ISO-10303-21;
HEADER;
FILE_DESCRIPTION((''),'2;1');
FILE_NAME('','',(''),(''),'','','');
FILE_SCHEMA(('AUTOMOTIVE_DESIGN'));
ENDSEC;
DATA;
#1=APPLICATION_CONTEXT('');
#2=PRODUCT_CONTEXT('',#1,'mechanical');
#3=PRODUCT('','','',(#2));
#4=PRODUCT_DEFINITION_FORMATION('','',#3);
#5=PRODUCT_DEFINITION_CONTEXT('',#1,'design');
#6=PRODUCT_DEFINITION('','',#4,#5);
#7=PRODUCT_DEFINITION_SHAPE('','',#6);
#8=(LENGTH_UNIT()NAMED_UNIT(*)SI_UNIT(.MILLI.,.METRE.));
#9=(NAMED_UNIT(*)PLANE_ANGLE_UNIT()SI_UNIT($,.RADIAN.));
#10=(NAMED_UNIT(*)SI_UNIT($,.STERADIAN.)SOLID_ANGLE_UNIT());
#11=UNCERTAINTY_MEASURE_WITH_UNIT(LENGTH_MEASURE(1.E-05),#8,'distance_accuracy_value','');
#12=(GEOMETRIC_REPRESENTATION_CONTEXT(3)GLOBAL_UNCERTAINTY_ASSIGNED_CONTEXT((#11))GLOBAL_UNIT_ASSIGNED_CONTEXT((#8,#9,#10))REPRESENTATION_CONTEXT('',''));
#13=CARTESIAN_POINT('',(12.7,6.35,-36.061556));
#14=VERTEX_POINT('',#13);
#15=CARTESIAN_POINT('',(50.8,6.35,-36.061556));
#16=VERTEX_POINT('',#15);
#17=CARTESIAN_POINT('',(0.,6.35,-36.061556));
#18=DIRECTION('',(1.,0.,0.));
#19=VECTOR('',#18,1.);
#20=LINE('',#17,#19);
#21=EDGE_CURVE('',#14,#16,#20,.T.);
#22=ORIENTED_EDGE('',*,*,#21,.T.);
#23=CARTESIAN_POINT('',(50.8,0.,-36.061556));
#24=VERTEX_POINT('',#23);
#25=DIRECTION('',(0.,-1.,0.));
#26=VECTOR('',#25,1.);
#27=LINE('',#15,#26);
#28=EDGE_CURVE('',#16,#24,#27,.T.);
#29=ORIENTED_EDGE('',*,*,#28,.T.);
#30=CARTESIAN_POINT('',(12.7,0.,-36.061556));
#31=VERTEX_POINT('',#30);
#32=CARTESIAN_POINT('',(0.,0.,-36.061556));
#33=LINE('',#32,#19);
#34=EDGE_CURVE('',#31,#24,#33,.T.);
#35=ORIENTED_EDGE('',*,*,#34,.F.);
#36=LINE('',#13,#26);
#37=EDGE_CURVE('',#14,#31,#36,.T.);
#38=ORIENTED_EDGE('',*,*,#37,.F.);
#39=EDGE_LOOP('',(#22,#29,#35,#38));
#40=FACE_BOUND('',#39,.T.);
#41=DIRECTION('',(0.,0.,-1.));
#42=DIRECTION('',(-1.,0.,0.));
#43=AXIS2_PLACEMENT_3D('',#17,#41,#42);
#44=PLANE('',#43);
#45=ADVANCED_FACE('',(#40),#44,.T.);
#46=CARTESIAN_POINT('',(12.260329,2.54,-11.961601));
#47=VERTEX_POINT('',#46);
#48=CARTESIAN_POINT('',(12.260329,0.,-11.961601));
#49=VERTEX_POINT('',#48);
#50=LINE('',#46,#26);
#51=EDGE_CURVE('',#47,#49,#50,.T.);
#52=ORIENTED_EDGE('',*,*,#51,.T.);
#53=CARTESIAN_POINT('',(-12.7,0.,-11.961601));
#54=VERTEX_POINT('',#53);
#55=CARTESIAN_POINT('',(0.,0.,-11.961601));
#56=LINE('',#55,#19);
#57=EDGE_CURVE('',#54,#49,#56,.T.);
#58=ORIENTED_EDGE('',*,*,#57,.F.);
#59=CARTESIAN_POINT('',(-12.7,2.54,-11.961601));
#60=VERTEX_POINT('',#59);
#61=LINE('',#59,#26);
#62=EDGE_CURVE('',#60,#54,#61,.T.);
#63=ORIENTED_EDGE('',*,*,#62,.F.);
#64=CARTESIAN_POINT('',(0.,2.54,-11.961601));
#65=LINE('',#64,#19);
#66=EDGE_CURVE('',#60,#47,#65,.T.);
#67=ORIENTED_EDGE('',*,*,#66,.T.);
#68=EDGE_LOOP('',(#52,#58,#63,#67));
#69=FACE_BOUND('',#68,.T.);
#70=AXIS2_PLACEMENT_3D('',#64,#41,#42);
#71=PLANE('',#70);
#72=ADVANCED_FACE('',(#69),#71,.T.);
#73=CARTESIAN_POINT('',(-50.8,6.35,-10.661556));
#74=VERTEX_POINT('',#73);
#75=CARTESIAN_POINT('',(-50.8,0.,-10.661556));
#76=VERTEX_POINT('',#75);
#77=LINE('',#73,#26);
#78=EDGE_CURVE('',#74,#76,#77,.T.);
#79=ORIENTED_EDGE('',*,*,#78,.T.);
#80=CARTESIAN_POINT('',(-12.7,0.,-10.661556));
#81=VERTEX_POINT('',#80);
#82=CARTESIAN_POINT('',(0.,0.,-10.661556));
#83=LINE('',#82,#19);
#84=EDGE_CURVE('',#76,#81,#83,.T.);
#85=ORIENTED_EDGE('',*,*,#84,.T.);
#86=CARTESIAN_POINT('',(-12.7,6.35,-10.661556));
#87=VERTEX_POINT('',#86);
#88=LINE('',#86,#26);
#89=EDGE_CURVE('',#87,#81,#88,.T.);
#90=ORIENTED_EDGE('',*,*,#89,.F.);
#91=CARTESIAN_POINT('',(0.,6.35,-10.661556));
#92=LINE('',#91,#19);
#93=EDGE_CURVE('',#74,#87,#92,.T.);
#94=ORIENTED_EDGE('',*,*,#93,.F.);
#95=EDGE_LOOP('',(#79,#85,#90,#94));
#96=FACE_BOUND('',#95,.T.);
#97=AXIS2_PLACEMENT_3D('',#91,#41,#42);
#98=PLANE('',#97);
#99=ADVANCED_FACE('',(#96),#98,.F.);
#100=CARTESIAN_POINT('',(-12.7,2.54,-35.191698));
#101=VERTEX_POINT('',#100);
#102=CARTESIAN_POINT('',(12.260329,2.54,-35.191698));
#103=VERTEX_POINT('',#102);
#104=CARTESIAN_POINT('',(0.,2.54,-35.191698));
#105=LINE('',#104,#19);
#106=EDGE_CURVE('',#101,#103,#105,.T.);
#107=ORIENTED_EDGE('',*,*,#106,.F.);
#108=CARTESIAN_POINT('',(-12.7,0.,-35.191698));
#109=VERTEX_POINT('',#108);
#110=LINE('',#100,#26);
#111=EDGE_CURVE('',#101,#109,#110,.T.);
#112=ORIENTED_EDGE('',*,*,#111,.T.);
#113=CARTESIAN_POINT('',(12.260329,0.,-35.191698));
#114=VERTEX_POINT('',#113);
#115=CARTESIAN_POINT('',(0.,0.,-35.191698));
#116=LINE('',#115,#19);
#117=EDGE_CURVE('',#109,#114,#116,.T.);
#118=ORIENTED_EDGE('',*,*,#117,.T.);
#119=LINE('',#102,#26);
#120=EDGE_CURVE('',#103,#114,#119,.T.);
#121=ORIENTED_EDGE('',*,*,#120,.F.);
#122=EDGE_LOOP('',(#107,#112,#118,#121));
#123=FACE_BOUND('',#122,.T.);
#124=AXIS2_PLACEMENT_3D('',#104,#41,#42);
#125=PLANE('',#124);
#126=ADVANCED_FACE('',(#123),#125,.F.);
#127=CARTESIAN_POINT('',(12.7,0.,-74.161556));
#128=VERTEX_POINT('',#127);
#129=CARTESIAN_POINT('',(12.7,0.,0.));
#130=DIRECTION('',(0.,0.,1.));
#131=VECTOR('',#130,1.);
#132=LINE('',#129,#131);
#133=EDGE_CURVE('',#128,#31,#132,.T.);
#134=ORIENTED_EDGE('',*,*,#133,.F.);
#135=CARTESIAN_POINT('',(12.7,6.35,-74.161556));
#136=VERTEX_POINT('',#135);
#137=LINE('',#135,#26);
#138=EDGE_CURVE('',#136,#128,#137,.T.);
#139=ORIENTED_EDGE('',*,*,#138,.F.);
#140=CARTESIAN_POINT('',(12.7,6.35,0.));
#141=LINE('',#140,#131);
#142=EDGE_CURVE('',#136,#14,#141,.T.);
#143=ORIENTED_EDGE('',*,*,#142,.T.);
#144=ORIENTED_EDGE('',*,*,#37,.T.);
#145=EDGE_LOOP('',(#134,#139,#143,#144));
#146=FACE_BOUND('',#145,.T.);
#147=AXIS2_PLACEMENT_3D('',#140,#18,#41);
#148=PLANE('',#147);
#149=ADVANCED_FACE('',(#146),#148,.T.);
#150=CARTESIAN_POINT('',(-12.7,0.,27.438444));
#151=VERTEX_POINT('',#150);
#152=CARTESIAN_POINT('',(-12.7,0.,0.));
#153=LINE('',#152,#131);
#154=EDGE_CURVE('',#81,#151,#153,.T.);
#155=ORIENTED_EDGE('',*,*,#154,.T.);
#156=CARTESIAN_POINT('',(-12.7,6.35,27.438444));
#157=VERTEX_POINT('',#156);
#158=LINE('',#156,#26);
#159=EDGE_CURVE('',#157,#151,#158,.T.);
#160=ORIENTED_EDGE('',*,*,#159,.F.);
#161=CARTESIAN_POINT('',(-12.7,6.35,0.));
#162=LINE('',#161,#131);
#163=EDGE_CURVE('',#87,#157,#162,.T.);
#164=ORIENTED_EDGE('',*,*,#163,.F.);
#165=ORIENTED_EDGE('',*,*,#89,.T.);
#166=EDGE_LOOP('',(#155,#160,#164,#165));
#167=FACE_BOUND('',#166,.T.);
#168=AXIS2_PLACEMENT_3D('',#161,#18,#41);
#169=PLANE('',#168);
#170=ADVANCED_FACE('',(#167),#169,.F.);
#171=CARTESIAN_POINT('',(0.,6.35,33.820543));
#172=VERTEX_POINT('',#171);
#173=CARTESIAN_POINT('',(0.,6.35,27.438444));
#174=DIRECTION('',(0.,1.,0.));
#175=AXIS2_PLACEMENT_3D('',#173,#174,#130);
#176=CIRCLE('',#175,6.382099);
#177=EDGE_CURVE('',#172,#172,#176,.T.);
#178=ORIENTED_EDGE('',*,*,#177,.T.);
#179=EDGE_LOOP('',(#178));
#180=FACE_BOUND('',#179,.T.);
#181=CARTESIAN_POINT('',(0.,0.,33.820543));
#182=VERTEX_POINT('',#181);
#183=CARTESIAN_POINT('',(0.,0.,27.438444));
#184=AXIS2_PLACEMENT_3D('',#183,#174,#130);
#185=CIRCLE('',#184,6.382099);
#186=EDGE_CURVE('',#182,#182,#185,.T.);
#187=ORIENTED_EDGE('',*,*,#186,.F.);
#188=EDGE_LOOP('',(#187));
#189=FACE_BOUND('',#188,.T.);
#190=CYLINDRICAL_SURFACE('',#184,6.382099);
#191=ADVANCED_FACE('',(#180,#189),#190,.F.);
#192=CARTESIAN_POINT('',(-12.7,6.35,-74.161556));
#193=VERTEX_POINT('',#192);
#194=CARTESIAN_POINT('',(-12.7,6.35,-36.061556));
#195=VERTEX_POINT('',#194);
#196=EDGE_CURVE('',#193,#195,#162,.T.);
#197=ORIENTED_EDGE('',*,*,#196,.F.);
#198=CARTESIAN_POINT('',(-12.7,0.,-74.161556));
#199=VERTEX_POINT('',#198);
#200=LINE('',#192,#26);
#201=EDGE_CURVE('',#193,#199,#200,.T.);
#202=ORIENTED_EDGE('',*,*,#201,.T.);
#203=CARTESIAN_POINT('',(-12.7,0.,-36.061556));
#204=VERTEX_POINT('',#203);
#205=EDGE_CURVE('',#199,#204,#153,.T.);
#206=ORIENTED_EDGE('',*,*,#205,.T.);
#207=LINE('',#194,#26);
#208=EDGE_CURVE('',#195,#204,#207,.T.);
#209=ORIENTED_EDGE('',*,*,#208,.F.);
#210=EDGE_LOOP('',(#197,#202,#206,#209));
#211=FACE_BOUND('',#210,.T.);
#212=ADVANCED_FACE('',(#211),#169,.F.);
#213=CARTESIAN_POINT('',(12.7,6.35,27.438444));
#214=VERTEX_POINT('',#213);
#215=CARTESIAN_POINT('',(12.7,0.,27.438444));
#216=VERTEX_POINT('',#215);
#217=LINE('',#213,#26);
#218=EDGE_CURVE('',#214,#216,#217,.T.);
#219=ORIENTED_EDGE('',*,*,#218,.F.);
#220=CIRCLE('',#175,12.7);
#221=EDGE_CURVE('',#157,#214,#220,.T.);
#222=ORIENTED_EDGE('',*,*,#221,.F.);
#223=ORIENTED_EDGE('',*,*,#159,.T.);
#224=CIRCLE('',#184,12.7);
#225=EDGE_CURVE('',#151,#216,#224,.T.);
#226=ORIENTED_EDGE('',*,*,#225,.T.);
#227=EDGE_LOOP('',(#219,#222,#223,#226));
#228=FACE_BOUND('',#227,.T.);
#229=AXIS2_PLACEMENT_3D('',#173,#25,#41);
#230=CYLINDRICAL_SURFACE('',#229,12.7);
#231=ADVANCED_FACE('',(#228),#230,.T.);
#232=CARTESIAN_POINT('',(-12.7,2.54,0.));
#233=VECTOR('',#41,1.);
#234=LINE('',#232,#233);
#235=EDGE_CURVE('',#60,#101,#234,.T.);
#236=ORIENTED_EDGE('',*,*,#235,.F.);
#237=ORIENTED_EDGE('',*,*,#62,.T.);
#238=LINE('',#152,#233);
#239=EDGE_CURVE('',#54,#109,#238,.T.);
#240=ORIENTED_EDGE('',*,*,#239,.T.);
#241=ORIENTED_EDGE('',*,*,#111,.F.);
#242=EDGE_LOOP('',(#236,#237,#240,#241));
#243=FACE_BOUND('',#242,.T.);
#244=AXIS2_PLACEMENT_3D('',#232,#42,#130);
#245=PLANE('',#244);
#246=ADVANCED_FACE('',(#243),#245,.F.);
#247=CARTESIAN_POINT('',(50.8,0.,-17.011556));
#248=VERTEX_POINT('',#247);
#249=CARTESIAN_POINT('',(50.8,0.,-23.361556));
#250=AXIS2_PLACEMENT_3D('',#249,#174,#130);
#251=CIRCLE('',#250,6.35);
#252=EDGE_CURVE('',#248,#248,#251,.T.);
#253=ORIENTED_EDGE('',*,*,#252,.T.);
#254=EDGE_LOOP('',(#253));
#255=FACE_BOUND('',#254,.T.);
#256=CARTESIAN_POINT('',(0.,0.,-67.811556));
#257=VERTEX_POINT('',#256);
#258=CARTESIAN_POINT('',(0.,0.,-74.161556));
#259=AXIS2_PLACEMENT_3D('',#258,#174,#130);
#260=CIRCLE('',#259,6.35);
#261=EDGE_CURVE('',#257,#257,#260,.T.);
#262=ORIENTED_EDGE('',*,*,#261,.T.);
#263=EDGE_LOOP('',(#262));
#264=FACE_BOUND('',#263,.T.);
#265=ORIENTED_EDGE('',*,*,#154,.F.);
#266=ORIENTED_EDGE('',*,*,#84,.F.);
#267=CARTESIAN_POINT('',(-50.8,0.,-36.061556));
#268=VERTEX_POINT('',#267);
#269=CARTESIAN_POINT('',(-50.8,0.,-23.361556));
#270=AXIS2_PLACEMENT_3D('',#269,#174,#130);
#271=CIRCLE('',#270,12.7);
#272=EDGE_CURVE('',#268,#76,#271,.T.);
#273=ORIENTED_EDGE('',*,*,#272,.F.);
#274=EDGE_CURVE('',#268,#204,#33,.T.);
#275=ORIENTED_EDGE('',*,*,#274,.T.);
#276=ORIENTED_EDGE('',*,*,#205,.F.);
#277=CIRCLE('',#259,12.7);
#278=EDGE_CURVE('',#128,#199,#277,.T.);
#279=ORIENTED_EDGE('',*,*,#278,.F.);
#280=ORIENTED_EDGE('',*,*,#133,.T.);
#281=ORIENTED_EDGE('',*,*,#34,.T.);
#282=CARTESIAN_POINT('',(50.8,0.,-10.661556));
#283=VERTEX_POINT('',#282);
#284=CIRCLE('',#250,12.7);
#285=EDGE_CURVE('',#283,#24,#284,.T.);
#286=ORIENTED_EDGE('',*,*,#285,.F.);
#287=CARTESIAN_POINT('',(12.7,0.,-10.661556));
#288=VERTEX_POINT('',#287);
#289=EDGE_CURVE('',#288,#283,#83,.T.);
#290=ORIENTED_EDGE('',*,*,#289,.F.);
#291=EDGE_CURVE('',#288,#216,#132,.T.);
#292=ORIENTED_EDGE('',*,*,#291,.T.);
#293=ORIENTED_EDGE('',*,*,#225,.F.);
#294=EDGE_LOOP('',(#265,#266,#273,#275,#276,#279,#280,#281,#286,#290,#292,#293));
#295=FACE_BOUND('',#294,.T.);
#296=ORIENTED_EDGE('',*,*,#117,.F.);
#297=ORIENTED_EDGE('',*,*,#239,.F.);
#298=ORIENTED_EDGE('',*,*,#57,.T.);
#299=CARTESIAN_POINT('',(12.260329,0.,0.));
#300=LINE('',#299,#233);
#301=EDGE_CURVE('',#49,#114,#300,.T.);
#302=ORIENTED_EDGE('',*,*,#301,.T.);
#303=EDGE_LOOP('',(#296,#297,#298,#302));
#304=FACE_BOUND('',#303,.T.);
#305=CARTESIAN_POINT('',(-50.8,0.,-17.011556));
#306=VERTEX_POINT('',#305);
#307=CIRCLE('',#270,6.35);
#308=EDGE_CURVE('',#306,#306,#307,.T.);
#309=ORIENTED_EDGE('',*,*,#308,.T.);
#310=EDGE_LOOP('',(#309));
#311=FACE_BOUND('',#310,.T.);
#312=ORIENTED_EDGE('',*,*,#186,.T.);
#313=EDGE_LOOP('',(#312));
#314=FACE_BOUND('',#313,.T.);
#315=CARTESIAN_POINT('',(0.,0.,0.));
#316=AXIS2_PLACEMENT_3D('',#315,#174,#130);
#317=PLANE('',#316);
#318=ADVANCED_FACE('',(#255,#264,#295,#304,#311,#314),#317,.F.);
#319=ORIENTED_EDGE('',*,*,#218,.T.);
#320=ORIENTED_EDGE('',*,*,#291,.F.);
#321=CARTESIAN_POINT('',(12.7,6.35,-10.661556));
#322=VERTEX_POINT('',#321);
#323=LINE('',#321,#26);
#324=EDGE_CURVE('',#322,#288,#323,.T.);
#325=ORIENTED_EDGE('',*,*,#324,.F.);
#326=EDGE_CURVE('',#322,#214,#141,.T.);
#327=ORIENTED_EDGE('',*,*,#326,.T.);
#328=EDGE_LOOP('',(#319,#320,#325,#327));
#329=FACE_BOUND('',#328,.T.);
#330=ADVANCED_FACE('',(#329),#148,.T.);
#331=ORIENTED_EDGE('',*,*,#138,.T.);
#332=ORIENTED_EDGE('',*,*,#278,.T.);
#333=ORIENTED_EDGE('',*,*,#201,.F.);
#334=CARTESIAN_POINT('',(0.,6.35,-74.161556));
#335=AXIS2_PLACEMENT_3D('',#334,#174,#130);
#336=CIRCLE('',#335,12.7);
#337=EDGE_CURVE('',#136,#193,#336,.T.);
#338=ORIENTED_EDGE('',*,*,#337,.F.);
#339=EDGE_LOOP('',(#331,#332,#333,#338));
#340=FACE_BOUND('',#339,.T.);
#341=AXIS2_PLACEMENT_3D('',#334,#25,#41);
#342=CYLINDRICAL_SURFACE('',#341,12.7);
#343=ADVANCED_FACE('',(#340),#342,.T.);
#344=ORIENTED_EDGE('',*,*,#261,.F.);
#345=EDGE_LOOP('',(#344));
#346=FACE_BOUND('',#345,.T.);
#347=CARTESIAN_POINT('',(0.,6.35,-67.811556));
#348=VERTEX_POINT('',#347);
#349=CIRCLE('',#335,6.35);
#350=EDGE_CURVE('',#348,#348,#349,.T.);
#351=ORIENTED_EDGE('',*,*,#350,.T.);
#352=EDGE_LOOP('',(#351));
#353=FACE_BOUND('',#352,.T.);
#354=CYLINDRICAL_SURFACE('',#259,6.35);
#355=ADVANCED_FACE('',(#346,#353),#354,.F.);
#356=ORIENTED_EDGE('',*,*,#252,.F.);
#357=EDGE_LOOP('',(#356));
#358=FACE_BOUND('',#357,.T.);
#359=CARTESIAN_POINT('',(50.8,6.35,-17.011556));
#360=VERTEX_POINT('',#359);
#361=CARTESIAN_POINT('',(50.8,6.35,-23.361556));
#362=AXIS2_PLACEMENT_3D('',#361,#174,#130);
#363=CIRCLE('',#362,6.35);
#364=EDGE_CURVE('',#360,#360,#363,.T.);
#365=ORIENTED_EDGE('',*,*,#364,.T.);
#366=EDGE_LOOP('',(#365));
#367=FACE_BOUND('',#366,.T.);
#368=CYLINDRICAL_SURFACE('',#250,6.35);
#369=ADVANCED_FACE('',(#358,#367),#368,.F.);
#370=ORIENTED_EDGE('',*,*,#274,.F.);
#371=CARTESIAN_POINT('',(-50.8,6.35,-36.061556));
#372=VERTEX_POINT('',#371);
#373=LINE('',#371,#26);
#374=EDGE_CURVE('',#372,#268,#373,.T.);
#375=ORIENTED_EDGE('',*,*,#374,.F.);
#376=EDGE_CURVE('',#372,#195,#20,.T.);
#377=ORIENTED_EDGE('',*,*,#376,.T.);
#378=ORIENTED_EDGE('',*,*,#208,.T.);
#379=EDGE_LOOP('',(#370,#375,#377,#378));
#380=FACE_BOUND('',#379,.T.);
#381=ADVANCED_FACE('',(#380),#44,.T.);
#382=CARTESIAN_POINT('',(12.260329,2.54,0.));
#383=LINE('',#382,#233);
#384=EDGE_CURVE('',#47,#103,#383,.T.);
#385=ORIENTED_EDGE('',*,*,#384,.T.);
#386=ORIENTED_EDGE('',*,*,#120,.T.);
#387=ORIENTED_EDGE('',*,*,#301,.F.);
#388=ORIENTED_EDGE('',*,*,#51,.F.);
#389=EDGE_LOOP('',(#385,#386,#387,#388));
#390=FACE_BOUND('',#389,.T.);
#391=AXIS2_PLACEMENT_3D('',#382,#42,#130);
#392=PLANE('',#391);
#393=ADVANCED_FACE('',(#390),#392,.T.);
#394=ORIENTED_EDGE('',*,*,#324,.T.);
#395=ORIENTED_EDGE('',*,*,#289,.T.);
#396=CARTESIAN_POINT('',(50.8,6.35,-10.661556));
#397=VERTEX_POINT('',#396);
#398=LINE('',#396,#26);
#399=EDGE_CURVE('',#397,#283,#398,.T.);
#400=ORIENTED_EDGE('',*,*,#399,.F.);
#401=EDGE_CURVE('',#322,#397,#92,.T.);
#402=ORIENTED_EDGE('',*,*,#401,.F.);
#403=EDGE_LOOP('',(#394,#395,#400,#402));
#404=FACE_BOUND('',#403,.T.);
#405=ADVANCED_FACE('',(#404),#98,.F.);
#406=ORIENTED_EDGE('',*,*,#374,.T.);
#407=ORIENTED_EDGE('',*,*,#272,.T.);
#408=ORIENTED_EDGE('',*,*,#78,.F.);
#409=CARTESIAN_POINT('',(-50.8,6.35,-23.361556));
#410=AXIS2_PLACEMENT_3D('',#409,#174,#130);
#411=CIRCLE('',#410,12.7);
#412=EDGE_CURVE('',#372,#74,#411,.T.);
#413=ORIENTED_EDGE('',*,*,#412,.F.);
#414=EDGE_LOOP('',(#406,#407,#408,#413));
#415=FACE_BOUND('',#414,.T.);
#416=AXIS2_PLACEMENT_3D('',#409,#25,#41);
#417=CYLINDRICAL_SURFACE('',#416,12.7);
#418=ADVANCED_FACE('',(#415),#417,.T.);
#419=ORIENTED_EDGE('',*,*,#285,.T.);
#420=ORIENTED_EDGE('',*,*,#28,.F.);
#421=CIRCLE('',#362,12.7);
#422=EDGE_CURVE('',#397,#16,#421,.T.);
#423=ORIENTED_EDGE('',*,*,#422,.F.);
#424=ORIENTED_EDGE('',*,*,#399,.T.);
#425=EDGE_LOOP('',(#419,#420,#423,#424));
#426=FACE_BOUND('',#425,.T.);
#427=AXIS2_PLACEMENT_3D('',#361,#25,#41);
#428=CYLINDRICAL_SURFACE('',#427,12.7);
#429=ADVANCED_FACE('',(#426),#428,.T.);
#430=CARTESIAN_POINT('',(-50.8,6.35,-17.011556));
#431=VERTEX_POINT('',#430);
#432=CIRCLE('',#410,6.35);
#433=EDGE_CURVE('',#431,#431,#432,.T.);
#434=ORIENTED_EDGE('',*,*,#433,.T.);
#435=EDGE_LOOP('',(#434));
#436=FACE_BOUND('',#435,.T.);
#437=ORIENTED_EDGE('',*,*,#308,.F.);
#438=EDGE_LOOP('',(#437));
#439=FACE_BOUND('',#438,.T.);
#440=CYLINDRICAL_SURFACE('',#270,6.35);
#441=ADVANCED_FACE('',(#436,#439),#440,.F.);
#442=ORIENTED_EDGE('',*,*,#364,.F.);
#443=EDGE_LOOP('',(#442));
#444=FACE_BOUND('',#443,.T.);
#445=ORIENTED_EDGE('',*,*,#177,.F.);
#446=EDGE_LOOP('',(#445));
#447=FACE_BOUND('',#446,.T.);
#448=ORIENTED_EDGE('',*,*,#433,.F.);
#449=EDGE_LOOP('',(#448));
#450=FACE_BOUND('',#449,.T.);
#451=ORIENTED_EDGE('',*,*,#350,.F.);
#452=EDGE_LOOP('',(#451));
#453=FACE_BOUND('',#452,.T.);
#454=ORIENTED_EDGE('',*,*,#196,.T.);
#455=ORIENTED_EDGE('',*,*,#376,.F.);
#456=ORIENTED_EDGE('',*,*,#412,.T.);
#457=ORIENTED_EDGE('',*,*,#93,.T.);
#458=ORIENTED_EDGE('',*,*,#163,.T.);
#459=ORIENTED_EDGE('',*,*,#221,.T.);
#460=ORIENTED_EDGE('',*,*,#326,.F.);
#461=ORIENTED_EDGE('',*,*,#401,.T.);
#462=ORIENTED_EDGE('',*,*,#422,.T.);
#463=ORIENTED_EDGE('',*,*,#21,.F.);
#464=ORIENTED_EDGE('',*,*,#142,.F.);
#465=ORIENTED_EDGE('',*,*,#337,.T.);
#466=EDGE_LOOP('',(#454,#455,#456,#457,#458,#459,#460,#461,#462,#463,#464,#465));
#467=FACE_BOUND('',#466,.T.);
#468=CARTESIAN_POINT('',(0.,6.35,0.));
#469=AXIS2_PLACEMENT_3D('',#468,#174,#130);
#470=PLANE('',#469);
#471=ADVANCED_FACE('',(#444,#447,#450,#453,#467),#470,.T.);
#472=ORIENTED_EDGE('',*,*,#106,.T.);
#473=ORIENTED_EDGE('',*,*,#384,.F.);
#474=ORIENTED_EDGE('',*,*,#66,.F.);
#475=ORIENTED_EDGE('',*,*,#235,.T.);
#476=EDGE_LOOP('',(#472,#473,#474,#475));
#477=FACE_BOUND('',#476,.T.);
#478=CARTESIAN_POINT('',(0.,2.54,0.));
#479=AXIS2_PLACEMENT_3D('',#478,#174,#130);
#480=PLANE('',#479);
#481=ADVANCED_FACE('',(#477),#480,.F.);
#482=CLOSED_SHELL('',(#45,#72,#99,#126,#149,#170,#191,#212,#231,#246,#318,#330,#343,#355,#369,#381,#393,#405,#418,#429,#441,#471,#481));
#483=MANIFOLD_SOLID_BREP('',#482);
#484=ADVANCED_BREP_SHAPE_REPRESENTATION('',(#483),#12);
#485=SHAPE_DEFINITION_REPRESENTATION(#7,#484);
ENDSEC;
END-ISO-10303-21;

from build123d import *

# Parameters (mm, degrees)
SKETCH1_W           = 25.4
SKETCH1_H           = 25.4
BOSS_EXTRUDE1_DEPTH = 6.35
SKETCH2_R           = 6.35
SKETCH2_R_2         = 6.382099354
CUT_EXTRUDE1_DEPTH  = 108.784518461
SKETCH3_W           = 24.960329338
SKETCH3_H           = 23.230097692
CUT_EXTRUDE2_DEPTH  = 2.54


with BuildPart() as part:
    # Sketch1 → Boss-Extrude1 (new body)
    with BuildSketch(Plane(origin=(0, 0, 0), x_dir=(1, 0, 0), z_dir=(0, 1, 0))):
        with BuildLine():
            Line((12.7, 36.061556053), (12.7, 74.161556053))
            ThreePointArc((12.7, 74.161556053), (0, 86.861556053), (-12.7, 74.161556053))
            Line((-12.7, 74.161556053), (-12.7, 36.061556053))
            Line((-12.7, 36.061556053), (12.7, 36.061556053))
        make_face()
        with BuildLine():
            Line((50.8, 36.061556053), (12.7, 36.061556053))
            Line((12.7, 36.061556053), (12.7, 10.661556053))
            Line((12.7, 10.661556053), (50.8, 10.661556053))
            ThreePointArc((50.8, 10.661556053), (63.5, 23.361556053), (50.8, 36.061556053))
        make_face()
        with BuildLine():
            Line((12.7, -27.438443947), (12.7, 10.661556053))
            Line((12.7, 10.661556053), (-12.7, 10.661556053))
            Line((-12.7, 10.661556053), (-12.7, -27.438443947))
            ThreePointArc((-12.7, -27.438443947), (0, -40.138443947), (12.7, -27.438443947))
        make_face()
        with BuildLine():
            Line((-12.7, 10.661556053), (-12.7, 36.061556053))
            Line((-12.7, 36.061556053), (-50.8, 36.061556053))
            ThreePointArc((-50.8, 36.061556053), (-63.5, 23.361556053), (-50.8, 10.661556053))
            Line((-50.8, 10.661556053), (-12.7, 10.661556053))
        make_face()
        with Locations((0, 23.361556053)):
            Rectangle(SKETCH1_W, SKETCH1_H)
    extrude(amount=BOSS_EXTRUDE1_DEPTH)

    # Sketch2 → Cut-Extrude1 (cut, through all)
    with BuildSketch(Plane(origin=(0, 6.35, 0), x_dir=(1, 0, 0), z_dir=(0, 1, 0))):
        with Locations(Location((0, 74.161556053, 0), (0, 0, 270))):
            Circle(SKETCH2_R)
        with Locations(Location((-50.8, 23.361556053, 0), (0, 0, 270))):
            Circle(SKETCH2_R)
        with Locations(Location((0, -27.438443947, 0), (0, 0, 270))):
            Circle(SKETCH2_R_2)
        with Locations(Location((50.8, 23.361556053, 0), (0, 0, 270))):
            Circle(SKETCH2_R)
    extrude(amount=-CUT_EXTRUDE1_DEPTH, mode=Mode.SUBTRACT)

    # Sketch3 → Cut-Extrude2 (cut)
    with BuildSketch(Plane(origin=(0, 0, 0), x_dir=(1, 0, 0), z_dir=(0, 1, 0))):
        with Locations((-0.219835331, 23.57664955)):
            Rectangle(SKETCH3_W, SKETCH3_H)
    extrude(amount=CUT_EXTRUDE2_DEPTH, mode=Mode.SUBTRACT)


solid = part.part
